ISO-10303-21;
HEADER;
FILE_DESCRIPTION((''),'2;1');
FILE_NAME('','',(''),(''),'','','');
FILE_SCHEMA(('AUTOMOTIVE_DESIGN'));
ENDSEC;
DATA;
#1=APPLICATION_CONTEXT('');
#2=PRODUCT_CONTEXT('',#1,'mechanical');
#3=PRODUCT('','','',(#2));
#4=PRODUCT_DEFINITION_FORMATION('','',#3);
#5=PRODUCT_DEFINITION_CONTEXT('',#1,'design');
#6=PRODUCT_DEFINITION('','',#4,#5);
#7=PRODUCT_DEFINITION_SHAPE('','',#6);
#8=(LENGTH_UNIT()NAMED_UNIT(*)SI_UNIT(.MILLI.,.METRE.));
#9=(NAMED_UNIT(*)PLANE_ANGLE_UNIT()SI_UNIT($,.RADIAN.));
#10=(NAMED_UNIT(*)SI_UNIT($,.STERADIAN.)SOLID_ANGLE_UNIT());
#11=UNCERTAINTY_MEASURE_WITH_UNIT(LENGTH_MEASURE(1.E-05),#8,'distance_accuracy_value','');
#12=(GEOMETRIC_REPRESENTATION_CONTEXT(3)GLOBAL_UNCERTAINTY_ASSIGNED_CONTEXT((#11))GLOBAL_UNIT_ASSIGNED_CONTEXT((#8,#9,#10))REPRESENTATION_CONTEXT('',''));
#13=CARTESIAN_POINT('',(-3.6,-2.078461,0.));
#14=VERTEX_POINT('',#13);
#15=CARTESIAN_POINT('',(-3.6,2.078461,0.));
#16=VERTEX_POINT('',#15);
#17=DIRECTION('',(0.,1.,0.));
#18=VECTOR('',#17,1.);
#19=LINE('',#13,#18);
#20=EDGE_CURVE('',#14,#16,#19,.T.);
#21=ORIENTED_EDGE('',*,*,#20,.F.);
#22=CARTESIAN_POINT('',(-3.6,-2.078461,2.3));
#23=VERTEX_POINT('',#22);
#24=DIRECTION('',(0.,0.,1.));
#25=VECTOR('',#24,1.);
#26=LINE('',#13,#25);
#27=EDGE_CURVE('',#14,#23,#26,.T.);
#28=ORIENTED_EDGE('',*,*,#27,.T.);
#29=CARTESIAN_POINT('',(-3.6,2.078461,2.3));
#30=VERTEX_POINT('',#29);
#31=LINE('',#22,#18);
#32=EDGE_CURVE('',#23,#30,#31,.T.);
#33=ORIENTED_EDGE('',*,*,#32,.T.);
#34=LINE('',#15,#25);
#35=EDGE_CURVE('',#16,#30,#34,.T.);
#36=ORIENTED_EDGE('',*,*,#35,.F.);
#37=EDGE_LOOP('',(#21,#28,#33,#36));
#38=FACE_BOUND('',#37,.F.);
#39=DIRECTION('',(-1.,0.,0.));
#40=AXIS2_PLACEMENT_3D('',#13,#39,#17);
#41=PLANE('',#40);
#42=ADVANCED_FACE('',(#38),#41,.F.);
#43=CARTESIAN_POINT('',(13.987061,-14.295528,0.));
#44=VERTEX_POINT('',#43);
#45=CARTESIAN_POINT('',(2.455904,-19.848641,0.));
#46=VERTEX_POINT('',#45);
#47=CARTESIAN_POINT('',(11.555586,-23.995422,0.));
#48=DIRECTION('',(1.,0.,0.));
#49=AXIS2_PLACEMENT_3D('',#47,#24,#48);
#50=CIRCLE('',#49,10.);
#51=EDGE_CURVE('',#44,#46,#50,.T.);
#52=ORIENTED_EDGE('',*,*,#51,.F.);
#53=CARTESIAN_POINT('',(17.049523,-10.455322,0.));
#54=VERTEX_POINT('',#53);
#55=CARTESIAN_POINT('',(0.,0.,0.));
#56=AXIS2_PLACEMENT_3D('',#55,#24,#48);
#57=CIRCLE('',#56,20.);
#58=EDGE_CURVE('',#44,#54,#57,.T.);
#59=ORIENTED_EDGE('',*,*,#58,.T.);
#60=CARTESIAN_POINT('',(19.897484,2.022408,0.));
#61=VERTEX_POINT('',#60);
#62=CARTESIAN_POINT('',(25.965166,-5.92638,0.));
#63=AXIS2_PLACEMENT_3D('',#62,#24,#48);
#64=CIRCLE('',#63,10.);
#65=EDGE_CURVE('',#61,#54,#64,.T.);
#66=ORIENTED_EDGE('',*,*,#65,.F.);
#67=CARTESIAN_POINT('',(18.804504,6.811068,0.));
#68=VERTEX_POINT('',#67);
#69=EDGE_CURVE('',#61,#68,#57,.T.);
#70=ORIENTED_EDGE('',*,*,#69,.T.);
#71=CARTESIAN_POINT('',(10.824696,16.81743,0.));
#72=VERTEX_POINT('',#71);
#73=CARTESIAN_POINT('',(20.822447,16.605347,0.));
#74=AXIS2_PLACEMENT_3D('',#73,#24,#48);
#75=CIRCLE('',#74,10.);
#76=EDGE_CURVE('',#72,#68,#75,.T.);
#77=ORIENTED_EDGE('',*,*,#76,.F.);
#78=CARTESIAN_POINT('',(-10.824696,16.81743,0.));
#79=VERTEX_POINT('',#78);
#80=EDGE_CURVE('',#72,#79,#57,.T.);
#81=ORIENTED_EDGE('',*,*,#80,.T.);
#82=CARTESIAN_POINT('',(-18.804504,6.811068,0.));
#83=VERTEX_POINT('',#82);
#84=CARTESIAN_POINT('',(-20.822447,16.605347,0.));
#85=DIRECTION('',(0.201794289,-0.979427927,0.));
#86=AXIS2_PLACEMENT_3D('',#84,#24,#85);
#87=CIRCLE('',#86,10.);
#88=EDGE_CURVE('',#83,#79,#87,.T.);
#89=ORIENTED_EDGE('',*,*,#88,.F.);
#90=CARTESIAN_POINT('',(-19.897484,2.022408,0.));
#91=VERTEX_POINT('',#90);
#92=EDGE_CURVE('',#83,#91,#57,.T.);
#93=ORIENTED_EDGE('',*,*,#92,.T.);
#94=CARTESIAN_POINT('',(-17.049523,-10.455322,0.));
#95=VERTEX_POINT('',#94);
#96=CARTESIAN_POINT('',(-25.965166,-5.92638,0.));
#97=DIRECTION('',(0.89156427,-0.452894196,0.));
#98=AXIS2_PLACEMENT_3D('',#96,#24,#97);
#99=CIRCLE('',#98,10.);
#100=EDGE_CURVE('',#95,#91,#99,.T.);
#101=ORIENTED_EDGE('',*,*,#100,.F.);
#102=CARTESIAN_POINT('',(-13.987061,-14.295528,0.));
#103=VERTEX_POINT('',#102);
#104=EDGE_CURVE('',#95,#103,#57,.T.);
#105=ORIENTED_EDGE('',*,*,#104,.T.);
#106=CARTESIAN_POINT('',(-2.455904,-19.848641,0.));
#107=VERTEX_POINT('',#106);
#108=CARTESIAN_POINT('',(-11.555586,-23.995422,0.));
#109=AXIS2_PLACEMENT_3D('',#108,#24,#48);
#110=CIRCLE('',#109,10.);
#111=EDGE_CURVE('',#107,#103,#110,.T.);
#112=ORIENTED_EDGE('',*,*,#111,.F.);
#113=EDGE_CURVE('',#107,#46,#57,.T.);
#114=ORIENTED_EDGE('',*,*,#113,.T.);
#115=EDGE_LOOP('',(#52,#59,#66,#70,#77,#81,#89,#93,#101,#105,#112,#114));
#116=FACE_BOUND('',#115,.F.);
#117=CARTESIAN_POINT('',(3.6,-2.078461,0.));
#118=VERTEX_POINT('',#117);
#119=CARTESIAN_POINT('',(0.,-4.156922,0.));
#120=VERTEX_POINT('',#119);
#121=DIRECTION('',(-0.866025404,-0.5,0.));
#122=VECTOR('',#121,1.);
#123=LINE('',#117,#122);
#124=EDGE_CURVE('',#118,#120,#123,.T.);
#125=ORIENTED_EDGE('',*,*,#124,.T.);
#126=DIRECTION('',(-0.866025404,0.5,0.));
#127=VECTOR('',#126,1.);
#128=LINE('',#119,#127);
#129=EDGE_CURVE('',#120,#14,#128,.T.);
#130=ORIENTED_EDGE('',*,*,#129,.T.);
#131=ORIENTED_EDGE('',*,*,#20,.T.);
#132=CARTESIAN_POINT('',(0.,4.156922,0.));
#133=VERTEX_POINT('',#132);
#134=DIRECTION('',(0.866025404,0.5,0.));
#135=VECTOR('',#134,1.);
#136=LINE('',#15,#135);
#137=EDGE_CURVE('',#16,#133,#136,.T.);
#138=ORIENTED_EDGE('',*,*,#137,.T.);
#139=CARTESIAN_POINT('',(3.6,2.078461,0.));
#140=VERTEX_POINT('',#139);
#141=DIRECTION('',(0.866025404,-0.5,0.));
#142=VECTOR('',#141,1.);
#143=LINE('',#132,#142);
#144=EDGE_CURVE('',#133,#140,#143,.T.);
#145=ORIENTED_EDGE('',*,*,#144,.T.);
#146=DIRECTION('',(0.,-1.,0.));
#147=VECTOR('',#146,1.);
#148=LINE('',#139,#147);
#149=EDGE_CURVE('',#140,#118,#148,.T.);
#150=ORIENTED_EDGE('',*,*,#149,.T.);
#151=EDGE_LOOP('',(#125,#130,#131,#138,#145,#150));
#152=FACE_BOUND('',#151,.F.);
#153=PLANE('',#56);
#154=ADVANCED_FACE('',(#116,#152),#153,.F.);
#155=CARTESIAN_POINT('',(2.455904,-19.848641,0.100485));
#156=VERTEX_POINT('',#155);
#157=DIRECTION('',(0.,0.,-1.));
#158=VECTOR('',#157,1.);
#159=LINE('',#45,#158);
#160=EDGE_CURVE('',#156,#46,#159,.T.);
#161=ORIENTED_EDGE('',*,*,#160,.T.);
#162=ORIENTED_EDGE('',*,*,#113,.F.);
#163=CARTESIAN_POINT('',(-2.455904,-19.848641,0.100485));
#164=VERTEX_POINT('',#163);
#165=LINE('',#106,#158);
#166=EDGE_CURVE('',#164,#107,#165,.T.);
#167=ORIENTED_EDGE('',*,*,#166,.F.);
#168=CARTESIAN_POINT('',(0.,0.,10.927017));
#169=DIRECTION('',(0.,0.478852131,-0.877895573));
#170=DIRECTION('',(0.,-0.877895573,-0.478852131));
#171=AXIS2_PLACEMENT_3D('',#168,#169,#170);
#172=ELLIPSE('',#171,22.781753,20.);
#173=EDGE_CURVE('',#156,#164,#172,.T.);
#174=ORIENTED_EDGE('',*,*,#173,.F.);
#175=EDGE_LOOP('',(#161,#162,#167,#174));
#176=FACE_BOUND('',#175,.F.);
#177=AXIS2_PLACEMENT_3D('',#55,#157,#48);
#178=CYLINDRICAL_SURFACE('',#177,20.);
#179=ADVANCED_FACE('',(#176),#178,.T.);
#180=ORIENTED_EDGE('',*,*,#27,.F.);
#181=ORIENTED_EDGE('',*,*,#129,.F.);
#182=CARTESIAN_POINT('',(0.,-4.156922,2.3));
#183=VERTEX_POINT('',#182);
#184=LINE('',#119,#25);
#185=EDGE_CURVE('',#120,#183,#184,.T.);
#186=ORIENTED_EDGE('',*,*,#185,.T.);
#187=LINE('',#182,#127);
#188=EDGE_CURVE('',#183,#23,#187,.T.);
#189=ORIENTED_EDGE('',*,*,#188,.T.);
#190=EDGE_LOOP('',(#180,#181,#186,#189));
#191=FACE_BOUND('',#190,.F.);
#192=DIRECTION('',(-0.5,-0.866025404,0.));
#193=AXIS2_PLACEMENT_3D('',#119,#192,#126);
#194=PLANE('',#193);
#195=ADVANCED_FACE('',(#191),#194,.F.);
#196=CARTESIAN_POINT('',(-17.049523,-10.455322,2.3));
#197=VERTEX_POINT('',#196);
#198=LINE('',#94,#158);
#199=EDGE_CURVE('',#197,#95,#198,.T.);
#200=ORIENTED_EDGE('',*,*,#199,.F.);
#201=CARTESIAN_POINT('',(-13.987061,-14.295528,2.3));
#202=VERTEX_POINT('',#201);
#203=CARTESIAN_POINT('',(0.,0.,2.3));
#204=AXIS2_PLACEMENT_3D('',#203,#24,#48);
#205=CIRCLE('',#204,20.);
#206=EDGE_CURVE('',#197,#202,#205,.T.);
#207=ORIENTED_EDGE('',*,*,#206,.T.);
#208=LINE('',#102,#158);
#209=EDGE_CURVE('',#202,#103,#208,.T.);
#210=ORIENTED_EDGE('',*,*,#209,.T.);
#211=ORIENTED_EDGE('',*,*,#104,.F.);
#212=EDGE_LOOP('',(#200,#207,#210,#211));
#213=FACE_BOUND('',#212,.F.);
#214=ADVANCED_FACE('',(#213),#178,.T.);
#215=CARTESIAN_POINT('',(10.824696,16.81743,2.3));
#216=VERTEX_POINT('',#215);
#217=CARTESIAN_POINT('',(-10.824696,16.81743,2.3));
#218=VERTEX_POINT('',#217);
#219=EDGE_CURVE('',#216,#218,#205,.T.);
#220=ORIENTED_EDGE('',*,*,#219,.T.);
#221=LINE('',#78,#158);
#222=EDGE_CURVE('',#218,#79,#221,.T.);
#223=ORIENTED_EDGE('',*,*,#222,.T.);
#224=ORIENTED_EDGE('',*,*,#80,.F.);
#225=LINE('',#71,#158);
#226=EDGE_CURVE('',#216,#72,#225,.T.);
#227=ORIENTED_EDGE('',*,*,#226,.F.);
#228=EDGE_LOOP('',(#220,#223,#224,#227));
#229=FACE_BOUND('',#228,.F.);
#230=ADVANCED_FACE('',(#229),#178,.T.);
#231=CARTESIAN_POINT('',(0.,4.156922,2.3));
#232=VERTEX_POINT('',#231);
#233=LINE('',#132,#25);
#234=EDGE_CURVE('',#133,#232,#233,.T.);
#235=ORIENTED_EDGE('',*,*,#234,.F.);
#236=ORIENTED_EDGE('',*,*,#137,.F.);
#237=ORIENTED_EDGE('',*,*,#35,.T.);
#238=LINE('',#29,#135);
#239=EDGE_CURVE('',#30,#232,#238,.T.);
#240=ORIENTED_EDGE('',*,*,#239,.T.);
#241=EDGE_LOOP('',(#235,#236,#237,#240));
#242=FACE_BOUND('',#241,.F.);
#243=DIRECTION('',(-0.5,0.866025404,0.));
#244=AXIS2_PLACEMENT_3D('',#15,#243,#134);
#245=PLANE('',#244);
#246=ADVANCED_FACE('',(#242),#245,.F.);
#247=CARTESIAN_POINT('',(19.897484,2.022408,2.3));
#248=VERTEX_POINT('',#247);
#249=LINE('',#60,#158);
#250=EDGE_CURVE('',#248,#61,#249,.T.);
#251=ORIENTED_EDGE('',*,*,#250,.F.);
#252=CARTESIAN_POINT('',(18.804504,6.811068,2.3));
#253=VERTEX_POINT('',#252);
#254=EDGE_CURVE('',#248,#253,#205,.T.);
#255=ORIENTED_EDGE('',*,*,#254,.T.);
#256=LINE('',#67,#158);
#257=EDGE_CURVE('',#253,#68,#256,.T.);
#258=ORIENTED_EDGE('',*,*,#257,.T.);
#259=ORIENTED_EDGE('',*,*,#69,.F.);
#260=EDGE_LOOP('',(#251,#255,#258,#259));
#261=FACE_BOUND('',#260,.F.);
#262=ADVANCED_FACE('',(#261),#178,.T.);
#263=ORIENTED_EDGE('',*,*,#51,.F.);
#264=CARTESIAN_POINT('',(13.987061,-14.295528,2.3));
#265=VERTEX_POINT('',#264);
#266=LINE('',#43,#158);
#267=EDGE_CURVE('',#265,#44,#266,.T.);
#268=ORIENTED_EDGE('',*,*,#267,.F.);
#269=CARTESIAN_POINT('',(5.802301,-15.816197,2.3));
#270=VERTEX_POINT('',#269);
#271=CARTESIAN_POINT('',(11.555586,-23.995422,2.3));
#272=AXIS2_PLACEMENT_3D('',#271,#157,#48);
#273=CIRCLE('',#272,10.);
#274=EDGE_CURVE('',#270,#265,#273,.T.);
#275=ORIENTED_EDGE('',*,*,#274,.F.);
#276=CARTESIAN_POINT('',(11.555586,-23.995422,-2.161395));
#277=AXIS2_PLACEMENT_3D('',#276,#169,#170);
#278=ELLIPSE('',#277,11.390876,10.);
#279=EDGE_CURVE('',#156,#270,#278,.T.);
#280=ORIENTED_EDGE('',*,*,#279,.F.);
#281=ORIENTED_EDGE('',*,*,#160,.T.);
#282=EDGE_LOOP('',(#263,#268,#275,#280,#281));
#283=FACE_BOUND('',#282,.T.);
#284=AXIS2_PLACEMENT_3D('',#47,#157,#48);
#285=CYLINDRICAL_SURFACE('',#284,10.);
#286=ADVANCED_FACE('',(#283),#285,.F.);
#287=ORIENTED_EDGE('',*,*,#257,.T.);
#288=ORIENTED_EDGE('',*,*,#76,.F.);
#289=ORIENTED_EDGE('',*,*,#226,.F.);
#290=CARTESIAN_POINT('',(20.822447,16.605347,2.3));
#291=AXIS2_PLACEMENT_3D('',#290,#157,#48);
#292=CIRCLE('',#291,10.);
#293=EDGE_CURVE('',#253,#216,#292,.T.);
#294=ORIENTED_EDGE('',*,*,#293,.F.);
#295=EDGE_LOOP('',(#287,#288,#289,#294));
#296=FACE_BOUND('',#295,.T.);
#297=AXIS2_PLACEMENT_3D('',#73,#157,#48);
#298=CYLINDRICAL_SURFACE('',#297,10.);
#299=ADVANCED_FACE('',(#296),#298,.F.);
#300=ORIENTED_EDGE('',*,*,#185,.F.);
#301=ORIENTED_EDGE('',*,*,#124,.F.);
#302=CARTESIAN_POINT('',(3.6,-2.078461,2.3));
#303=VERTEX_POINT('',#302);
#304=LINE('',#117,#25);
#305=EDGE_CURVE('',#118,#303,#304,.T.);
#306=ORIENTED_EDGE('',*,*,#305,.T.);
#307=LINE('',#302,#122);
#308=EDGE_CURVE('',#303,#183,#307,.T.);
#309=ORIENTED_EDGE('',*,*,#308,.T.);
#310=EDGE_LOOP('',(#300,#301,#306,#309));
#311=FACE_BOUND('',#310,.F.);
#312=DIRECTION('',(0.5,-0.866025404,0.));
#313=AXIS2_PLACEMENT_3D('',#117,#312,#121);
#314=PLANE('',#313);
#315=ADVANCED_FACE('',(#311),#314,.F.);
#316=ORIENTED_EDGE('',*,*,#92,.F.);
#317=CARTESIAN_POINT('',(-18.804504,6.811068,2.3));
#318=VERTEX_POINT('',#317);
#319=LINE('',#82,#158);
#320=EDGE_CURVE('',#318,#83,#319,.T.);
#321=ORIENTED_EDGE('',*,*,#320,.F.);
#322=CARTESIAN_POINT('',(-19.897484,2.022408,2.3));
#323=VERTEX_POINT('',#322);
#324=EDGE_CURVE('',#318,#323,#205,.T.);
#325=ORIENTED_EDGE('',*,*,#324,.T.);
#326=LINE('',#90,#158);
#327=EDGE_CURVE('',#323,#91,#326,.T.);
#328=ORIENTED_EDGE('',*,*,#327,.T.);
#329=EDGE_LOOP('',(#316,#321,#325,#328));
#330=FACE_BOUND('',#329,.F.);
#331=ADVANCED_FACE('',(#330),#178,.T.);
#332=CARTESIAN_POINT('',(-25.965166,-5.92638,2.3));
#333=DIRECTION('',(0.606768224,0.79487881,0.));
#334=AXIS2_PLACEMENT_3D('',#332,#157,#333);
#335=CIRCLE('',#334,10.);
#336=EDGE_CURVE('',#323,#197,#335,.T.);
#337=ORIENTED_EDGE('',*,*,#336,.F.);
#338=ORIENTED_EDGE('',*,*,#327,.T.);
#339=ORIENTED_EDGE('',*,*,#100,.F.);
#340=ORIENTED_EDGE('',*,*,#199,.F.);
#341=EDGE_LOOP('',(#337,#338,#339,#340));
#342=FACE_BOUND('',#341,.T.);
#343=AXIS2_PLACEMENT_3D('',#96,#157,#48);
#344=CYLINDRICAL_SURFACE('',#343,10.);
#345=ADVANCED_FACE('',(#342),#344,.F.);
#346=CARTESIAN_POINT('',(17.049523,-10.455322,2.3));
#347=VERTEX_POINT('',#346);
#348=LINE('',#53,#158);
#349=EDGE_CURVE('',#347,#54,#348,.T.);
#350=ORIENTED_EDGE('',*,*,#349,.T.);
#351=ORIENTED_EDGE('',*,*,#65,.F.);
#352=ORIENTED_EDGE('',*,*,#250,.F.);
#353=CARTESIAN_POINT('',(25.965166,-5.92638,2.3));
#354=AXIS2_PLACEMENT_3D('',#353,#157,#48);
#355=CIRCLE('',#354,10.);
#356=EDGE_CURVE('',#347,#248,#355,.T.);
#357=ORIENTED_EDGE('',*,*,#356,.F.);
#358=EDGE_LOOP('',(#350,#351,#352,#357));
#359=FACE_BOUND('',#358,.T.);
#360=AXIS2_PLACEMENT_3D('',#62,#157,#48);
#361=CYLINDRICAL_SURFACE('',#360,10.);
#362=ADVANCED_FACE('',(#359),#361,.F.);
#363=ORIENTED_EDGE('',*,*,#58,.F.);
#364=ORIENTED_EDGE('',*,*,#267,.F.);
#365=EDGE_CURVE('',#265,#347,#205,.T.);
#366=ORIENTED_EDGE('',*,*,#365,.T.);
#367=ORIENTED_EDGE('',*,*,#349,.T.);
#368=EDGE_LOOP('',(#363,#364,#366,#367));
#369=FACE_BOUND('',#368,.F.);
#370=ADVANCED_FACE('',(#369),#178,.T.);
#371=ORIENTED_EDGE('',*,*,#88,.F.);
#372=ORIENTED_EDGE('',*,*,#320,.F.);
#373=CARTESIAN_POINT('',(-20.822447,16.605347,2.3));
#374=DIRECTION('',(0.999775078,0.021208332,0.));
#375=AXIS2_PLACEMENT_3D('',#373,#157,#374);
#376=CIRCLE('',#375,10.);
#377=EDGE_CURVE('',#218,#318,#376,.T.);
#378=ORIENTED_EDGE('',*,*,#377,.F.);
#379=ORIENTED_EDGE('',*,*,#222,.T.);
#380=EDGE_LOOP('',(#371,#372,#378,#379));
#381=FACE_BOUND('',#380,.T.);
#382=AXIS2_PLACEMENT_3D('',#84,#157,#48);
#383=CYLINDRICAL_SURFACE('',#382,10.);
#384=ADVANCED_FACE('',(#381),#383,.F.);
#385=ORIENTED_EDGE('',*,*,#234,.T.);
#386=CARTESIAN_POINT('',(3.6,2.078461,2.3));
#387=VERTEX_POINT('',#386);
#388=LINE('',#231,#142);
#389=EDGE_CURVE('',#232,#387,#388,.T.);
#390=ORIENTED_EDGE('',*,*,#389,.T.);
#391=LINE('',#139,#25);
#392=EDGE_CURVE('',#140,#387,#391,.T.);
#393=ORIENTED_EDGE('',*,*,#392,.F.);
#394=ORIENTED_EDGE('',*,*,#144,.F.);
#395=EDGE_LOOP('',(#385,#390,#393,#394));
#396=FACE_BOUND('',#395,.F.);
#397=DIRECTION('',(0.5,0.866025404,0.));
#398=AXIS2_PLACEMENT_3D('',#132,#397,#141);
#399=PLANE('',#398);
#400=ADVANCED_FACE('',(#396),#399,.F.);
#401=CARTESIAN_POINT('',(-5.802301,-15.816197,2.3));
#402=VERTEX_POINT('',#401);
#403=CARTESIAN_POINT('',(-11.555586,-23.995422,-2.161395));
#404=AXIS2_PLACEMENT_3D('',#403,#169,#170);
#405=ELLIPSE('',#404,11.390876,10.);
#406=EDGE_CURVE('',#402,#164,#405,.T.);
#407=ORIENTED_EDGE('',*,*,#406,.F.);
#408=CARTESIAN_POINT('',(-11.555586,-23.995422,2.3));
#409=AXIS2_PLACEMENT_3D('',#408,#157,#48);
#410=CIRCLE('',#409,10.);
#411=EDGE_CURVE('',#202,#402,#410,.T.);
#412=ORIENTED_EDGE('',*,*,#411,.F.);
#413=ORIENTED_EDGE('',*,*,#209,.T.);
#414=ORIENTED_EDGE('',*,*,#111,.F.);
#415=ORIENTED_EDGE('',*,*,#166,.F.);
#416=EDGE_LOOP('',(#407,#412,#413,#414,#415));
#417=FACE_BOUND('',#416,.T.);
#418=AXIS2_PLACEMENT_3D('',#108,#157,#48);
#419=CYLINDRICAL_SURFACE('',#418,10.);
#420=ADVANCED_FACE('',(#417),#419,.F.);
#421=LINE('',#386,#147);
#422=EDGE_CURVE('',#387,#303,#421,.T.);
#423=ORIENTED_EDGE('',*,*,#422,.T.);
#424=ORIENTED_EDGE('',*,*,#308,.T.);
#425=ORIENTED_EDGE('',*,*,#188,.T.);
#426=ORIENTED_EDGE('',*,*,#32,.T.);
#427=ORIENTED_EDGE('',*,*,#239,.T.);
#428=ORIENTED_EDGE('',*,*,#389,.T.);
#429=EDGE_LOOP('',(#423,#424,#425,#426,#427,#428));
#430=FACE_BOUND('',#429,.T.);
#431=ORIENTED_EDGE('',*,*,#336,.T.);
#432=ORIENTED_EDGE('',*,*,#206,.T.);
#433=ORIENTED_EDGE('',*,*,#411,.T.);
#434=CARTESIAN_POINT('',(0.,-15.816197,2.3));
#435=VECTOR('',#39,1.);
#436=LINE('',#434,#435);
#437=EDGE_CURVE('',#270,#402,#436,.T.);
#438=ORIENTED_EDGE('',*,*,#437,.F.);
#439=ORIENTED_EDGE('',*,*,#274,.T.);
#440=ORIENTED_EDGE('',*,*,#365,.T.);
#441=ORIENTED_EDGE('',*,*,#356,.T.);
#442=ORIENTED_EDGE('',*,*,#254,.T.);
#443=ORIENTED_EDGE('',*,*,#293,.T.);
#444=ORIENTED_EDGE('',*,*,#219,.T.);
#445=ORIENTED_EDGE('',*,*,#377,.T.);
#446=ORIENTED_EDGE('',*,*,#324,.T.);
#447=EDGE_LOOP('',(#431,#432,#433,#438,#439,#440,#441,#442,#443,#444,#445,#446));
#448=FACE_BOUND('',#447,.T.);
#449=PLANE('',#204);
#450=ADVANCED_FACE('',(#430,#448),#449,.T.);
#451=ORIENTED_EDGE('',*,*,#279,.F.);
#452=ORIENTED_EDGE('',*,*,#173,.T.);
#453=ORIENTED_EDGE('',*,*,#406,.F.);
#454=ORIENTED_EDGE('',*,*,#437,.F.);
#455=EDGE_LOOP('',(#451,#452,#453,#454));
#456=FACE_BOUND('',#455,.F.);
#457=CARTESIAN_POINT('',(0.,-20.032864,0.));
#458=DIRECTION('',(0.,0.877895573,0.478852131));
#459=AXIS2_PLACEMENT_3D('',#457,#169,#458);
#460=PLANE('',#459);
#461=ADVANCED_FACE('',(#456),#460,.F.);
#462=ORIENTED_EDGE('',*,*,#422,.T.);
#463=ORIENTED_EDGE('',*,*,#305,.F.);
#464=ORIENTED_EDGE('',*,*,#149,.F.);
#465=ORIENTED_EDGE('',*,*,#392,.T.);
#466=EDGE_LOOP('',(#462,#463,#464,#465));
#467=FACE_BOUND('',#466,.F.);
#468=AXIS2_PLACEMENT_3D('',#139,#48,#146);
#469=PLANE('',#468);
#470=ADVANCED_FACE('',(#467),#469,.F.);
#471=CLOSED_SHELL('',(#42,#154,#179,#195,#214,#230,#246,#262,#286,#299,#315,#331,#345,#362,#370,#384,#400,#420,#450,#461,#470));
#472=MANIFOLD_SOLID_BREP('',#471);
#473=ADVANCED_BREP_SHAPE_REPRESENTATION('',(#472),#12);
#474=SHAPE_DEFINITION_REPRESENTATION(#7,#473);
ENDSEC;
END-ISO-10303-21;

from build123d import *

# Parameters (mm, degrees)
F0_R     = 20
F1_DEPTH = 2.3
F2_R     = 10
F3_DEPTH = 2.301
F5_DEPTH = 6


with BuildPart() as f1:
    # F0 (on Top) → F1 (new body)
    with BuildSketch(Plane.XY):
        Circle(F0_R)
        Polygon((0, 4.1569219382), (3.6, 2.0784609691), (3.6, -2.0784609691), (0, -4.1569219382), (-3.6, -2.0784609691), (-3.6, 2.0784609691), align=None, mode=Mode.SUBTRACT)
    extrude(amount=F1_DEPTH)

    # F2 (on Top) → F3 (cut, through all)
    with BuildSketch(Plane.XY):
        with Locations((-20.8224465161, 16.605346988)):
            Circle(F2_R)
        with Locations((-25.9651661051, -5.926379725)):
            Circle(F2_R)
        with Locations((-11.5555860241, -23.9954216289)):
            Circle(F2_R)
        with Locations((11.5555860241, -23.9954216289)):
            Circle(F2_R)
        with Locations((25.9651661051, -5.926379725)):
            Circle(F2_R)
        with Locations((20.8224465161, 16.605346988)):
            Circle(F2_R)
    extrude(amount=F3_DEPTH, mode=Mode.SUBTRACT)

    # F4 (on Right) → F5 (cut, symmetric)
    with BuildSketch(Plane.YZ):
        Polygon((-20.0328639653, 3), (-20.0328639653, 0), (-14.5328639653, 3), align=None)
    extrude(amount=F5_DEPTH, both=True, mode=Mode.SUBTRACT)


solid = f1.part
